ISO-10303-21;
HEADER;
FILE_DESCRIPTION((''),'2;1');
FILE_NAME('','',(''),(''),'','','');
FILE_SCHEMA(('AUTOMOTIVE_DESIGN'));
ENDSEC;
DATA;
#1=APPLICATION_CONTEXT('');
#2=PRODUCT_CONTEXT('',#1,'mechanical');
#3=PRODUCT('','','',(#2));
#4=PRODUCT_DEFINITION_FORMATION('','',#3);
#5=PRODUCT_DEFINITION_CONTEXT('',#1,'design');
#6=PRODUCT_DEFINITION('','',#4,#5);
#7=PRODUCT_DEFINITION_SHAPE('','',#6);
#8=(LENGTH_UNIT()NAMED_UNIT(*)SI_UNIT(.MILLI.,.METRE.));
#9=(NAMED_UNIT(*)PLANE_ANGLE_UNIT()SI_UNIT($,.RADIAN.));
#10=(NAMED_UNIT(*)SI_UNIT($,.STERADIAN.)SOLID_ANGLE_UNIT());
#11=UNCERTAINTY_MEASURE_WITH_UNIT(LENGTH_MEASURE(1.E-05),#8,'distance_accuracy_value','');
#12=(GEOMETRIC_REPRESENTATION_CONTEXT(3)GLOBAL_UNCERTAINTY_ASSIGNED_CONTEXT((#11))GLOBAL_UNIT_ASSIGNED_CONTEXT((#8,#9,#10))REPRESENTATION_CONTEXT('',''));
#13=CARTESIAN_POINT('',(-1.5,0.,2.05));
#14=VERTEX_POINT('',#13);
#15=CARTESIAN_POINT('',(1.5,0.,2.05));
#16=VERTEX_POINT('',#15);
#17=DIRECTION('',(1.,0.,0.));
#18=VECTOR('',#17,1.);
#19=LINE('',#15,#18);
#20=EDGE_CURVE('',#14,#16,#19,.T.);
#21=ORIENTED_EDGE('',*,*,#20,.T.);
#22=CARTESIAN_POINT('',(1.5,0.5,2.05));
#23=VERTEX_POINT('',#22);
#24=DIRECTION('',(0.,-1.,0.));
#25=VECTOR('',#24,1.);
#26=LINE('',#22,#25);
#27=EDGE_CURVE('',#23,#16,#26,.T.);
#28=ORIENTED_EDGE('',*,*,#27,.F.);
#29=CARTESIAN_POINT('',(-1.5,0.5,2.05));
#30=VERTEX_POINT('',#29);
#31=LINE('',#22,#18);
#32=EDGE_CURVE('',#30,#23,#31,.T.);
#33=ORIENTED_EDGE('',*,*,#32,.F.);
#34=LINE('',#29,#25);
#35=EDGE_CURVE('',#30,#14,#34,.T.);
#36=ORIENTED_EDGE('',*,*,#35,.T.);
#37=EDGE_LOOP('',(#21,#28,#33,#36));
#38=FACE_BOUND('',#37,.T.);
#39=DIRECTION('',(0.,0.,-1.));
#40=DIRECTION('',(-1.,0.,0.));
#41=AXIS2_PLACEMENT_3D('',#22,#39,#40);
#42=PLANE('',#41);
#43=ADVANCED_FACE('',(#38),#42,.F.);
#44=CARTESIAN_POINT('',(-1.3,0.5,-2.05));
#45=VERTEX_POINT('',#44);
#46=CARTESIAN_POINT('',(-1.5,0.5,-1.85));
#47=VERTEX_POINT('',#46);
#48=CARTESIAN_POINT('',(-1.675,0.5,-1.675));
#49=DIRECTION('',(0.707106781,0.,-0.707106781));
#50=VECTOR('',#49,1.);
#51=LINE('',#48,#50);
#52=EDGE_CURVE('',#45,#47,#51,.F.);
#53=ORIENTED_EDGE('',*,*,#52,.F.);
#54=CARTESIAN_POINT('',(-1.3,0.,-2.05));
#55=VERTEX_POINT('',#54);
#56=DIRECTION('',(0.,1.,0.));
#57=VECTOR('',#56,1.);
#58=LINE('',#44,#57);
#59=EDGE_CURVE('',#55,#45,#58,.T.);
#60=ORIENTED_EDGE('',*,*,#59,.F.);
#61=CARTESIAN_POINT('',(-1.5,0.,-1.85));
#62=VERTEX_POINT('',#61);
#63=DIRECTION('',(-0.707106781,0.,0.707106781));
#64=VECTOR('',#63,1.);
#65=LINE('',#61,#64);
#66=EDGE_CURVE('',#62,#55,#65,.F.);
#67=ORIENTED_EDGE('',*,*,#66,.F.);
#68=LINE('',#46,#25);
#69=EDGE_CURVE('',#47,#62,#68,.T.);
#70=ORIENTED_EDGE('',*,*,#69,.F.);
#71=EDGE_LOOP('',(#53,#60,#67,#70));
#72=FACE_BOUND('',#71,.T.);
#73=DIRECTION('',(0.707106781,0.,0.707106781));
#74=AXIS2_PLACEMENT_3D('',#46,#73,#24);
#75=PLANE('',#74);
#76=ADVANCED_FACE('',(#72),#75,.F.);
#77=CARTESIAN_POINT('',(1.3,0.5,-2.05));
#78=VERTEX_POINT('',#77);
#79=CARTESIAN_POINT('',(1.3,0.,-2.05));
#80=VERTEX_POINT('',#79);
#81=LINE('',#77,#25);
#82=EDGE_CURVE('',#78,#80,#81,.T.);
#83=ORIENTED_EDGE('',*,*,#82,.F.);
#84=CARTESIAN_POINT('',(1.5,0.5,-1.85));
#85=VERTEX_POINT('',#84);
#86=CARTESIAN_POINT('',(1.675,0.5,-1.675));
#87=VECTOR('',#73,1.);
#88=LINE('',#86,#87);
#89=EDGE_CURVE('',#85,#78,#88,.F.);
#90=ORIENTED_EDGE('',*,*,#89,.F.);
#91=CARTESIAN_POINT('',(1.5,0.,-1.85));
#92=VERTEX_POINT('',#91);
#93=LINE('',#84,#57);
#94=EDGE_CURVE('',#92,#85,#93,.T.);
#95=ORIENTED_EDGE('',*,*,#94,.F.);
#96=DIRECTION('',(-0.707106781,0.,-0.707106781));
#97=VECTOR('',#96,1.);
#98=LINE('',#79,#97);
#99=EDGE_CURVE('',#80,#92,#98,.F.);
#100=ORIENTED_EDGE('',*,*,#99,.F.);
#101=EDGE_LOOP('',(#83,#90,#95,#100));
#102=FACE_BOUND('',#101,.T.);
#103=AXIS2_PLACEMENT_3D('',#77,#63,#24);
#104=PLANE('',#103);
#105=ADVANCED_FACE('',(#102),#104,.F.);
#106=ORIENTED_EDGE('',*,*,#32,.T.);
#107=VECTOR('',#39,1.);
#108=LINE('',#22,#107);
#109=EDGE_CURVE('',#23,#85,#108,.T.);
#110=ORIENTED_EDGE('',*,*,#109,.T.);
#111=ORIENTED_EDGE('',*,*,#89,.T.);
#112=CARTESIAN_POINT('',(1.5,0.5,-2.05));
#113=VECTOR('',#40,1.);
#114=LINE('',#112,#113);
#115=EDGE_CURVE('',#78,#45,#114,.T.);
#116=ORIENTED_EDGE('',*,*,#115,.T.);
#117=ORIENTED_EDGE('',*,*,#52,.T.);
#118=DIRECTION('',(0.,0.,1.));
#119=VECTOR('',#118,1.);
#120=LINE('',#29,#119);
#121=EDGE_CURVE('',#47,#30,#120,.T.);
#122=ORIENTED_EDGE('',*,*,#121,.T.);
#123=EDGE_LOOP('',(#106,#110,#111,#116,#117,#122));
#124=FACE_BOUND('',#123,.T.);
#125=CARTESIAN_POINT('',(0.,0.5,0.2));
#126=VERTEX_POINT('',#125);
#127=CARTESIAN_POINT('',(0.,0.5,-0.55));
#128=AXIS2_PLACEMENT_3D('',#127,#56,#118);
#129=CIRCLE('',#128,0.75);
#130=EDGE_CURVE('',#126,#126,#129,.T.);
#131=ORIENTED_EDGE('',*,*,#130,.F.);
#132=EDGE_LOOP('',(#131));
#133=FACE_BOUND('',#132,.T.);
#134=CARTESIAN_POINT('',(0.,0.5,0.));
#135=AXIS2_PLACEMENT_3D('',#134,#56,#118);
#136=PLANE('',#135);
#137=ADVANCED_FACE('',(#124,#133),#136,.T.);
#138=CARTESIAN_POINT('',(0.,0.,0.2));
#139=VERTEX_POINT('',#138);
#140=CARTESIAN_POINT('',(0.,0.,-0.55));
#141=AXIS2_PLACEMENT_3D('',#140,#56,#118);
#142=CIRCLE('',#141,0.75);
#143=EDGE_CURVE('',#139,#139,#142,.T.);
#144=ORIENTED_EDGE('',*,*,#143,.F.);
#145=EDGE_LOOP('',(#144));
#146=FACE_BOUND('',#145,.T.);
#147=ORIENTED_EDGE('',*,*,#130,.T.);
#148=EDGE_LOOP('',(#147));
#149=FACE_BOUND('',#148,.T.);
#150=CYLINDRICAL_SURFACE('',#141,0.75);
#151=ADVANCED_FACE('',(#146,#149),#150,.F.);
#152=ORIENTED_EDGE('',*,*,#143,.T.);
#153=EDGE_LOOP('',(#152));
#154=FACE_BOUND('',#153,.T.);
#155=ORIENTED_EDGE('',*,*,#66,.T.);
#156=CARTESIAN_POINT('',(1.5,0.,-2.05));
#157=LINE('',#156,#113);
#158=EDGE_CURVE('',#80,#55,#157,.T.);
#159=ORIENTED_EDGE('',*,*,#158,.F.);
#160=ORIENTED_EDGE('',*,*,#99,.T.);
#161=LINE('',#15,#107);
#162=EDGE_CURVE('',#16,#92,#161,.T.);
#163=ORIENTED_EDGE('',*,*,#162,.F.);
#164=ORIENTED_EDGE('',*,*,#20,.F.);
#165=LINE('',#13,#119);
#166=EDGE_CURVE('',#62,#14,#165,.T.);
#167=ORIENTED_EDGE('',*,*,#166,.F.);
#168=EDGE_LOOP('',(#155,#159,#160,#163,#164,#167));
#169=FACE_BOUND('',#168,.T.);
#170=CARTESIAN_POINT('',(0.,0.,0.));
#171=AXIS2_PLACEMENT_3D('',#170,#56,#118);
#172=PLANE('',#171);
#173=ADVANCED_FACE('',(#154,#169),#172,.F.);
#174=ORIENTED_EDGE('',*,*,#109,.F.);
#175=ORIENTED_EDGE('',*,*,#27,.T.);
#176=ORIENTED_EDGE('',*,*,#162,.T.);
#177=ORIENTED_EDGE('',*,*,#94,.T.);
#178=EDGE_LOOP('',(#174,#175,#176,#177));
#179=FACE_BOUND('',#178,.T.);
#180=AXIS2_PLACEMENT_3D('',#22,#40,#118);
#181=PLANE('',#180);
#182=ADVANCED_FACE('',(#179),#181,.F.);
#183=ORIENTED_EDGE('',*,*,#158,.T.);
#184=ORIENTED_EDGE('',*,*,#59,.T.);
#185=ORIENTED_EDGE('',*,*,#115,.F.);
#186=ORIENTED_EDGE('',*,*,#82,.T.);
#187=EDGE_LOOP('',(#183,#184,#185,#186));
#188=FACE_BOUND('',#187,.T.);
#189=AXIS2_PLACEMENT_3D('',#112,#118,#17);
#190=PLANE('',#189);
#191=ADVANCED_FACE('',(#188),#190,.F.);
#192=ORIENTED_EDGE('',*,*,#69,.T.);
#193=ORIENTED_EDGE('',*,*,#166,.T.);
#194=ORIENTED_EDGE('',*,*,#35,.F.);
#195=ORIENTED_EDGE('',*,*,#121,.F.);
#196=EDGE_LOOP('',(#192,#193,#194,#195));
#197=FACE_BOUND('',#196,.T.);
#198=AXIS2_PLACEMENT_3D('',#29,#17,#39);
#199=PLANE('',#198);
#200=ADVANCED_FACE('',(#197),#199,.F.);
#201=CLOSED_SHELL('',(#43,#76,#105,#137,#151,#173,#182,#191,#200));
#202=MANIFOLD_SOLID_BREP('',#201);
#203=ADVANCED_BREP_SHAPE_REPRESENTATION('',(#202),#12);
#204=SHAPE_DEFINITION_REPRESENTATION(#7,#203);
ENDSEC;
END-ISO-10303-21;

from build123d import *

# Parameters (mm, degrees)
CROQUIS1_W              = 3
CROQUIS1_H              = 4.1
SALIENTE_EXTRUIR1_DEPTH = 0.5
CHAFL_N1_SIZE           = 0.2
CROQUIS2_R              = 0.75
CORTAR_EXTRUIR1_DEPTH   = 0.5


with BuildPart() as part:
    # Croquis1 → Saliente-Extruir1 (new body)
    with BuildSketch(Plane(origin=(0, 0, 0), x_dir=(1, 0, 0), z_dir=(0, 1, 0))):
        Rectangle(CROQUIS1_W, CROQUIS1_H)
    extrude(amount=SALIENTE_EXTRUIR1_DEPTH)

    # Chaflán1
    chafl_n1_edges = [part.edges().sort_by_distance(p)[0] for p in [
        (-1.5, 0.25, -2.05),
        (1.5, 0.25, -2.05),
    ]]
    chamfer(chafl_n1_edges, length=CHAFL_N1_SIZE)

    # Croquis2 → Cortar-Extruir1 (cut)
    with BuildSketch(Plane(origin=(0, 0.5, 0), x_dir=(1, 0, 0), z_dir=(0, 1, 0))):
        with Locations(Location((0, 0.55, 0), (0, 0, 270))):
            Circle(CROQUIS2_R)
    extrude(amount=-CORTAR_EXTRUIR1_DEPTH, mode=Mode.SUBTRACT)


solid = part.part
